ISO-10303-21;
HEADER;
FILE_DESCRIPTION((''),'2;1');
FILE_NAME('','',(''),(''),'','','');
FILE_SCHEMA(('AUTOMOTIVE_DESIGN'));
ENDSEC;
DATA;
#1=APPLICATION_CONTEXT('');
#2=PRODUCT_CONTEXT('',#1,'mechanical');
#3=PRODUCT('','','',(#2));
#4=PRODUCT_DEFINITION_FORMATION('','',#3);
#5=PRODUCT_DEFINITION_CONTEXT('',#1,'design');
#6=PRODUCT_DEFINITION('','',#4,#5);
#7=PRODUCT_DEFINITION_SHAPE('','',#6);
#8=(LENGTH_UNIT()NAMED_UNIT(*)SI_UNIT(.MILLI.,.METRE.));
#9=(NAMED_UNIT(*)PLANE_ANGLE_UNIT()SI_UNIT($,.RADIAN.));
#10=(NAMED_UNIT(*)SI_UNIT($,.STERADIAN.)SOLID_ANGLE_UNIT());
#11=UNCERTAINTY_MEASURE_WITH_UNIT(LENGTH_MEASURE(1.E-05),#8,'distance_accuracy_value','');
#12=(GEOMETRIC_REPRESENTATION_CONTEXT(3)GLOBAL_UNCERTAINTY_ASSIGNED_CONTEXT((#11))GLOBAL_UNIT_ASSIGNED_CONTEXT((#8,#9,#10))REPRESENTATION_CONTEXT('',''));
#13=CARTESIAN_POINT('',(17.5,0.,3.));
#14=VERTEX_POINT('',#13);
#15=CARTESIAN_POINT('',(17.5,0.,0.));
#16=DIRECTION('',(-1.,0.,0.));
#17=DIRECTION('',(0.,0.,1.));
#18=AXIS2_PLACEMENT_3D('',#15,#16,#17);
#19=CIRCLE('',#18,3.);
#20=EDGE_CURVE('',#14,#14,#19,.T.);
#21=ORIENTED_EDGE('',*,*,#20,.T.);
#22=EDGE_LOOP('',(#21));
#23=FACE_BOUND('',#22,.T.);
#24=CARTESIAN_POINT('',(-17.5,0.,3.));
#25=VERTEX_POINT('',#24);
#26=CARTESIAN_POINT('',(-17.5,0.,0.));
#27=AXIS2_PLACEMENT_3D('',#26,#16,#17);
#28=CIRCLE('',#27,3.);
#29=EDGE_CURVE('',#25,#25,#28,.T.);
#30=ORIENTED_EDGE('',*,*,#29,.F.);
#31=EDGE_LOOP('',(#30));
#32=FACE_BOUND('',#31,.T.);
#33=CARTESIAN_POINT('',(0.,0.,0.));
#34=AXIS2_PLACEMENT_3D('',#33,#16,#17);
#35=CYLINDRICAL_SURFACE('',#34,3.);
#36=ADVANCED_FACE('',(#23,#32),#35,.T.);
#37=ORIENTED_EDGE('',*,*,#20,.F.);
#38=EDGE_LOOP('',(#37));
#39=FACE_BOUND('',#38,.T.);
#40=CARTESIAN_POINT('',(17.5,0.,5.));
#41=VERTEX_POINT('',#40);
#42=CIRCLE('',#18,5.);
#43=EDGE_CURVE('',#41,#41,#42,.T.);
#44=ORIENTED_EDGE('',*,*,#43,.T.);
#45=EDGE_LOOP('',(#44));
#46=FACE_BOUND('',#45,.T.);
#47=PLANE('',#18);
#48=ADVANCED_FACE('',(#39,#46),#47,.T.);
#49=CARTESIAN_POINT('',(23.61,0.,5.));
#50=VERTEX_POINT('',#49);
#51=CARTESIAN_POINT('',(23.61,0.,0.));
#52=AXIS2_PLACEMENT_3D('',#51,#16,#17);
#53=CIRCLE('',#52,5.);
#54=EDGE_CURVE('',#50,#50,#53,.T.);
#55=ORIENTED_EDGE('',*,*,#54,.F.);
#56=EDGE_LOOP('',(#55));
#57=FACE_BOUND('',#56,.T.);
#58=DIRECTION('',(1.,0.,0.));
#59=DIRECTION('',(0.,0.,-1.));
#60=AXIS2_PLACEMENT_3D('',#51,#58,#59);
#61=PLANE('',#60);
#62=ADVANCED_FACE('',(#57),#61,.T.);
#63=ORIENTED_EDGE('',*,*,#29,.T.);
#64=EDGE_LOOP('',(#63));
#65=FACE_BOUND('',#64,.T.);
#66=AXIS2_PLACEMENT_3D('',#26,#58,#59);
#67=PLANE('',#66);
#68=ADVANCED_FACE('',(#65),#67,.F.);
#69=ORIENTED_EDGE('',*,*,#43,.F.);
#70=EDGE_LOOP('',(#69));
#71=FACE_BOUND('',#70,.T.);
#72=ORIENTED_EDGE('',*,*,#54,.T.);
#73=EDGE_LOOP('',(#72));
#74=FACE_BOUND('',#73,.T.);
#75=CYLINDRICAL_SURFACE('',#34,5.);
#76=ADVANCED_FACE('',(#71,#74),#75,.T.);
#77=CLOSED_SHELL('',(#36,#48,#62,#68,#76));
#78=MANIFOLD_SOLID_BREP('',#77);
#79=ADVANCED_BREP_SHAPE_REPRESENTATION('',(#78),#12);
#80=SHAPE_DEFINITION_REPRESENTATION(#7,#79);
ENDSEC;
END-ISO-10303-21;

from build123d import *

# Parameters (mm, degrees)
SKETCH_1_W   = 28.89
SKETCH_1_H   = 3
SKETCH_1_W_2 = 6.11


with BuildPart() as part:
    # 스케치1 → 회전1 (revolve)
    with BuildSketch(Plane.XY, mode=Mode.PRIVATE) as revolve_1_sk:
        with Locations((-3.055, 1.5)):
            Rectangle(SKETCH_1_W, SKETCH_1_H)
        with Locations((14.445, 1.5)):
            Rectangle(SKETCH_1_W_2, SKETCH_1_H)
        Polygon((17.5, 3), (17.5, 0), (23.61, 0), (23.61, 5), (17.5, 5), align=None)
    revolve(revolve_1_sk.sketch.rotate(Axis((0, 0, 0), (1, 0, 0)), 90), axis=Axis((0, 0, 0), (1, 0, 0)))


solid = part.part
